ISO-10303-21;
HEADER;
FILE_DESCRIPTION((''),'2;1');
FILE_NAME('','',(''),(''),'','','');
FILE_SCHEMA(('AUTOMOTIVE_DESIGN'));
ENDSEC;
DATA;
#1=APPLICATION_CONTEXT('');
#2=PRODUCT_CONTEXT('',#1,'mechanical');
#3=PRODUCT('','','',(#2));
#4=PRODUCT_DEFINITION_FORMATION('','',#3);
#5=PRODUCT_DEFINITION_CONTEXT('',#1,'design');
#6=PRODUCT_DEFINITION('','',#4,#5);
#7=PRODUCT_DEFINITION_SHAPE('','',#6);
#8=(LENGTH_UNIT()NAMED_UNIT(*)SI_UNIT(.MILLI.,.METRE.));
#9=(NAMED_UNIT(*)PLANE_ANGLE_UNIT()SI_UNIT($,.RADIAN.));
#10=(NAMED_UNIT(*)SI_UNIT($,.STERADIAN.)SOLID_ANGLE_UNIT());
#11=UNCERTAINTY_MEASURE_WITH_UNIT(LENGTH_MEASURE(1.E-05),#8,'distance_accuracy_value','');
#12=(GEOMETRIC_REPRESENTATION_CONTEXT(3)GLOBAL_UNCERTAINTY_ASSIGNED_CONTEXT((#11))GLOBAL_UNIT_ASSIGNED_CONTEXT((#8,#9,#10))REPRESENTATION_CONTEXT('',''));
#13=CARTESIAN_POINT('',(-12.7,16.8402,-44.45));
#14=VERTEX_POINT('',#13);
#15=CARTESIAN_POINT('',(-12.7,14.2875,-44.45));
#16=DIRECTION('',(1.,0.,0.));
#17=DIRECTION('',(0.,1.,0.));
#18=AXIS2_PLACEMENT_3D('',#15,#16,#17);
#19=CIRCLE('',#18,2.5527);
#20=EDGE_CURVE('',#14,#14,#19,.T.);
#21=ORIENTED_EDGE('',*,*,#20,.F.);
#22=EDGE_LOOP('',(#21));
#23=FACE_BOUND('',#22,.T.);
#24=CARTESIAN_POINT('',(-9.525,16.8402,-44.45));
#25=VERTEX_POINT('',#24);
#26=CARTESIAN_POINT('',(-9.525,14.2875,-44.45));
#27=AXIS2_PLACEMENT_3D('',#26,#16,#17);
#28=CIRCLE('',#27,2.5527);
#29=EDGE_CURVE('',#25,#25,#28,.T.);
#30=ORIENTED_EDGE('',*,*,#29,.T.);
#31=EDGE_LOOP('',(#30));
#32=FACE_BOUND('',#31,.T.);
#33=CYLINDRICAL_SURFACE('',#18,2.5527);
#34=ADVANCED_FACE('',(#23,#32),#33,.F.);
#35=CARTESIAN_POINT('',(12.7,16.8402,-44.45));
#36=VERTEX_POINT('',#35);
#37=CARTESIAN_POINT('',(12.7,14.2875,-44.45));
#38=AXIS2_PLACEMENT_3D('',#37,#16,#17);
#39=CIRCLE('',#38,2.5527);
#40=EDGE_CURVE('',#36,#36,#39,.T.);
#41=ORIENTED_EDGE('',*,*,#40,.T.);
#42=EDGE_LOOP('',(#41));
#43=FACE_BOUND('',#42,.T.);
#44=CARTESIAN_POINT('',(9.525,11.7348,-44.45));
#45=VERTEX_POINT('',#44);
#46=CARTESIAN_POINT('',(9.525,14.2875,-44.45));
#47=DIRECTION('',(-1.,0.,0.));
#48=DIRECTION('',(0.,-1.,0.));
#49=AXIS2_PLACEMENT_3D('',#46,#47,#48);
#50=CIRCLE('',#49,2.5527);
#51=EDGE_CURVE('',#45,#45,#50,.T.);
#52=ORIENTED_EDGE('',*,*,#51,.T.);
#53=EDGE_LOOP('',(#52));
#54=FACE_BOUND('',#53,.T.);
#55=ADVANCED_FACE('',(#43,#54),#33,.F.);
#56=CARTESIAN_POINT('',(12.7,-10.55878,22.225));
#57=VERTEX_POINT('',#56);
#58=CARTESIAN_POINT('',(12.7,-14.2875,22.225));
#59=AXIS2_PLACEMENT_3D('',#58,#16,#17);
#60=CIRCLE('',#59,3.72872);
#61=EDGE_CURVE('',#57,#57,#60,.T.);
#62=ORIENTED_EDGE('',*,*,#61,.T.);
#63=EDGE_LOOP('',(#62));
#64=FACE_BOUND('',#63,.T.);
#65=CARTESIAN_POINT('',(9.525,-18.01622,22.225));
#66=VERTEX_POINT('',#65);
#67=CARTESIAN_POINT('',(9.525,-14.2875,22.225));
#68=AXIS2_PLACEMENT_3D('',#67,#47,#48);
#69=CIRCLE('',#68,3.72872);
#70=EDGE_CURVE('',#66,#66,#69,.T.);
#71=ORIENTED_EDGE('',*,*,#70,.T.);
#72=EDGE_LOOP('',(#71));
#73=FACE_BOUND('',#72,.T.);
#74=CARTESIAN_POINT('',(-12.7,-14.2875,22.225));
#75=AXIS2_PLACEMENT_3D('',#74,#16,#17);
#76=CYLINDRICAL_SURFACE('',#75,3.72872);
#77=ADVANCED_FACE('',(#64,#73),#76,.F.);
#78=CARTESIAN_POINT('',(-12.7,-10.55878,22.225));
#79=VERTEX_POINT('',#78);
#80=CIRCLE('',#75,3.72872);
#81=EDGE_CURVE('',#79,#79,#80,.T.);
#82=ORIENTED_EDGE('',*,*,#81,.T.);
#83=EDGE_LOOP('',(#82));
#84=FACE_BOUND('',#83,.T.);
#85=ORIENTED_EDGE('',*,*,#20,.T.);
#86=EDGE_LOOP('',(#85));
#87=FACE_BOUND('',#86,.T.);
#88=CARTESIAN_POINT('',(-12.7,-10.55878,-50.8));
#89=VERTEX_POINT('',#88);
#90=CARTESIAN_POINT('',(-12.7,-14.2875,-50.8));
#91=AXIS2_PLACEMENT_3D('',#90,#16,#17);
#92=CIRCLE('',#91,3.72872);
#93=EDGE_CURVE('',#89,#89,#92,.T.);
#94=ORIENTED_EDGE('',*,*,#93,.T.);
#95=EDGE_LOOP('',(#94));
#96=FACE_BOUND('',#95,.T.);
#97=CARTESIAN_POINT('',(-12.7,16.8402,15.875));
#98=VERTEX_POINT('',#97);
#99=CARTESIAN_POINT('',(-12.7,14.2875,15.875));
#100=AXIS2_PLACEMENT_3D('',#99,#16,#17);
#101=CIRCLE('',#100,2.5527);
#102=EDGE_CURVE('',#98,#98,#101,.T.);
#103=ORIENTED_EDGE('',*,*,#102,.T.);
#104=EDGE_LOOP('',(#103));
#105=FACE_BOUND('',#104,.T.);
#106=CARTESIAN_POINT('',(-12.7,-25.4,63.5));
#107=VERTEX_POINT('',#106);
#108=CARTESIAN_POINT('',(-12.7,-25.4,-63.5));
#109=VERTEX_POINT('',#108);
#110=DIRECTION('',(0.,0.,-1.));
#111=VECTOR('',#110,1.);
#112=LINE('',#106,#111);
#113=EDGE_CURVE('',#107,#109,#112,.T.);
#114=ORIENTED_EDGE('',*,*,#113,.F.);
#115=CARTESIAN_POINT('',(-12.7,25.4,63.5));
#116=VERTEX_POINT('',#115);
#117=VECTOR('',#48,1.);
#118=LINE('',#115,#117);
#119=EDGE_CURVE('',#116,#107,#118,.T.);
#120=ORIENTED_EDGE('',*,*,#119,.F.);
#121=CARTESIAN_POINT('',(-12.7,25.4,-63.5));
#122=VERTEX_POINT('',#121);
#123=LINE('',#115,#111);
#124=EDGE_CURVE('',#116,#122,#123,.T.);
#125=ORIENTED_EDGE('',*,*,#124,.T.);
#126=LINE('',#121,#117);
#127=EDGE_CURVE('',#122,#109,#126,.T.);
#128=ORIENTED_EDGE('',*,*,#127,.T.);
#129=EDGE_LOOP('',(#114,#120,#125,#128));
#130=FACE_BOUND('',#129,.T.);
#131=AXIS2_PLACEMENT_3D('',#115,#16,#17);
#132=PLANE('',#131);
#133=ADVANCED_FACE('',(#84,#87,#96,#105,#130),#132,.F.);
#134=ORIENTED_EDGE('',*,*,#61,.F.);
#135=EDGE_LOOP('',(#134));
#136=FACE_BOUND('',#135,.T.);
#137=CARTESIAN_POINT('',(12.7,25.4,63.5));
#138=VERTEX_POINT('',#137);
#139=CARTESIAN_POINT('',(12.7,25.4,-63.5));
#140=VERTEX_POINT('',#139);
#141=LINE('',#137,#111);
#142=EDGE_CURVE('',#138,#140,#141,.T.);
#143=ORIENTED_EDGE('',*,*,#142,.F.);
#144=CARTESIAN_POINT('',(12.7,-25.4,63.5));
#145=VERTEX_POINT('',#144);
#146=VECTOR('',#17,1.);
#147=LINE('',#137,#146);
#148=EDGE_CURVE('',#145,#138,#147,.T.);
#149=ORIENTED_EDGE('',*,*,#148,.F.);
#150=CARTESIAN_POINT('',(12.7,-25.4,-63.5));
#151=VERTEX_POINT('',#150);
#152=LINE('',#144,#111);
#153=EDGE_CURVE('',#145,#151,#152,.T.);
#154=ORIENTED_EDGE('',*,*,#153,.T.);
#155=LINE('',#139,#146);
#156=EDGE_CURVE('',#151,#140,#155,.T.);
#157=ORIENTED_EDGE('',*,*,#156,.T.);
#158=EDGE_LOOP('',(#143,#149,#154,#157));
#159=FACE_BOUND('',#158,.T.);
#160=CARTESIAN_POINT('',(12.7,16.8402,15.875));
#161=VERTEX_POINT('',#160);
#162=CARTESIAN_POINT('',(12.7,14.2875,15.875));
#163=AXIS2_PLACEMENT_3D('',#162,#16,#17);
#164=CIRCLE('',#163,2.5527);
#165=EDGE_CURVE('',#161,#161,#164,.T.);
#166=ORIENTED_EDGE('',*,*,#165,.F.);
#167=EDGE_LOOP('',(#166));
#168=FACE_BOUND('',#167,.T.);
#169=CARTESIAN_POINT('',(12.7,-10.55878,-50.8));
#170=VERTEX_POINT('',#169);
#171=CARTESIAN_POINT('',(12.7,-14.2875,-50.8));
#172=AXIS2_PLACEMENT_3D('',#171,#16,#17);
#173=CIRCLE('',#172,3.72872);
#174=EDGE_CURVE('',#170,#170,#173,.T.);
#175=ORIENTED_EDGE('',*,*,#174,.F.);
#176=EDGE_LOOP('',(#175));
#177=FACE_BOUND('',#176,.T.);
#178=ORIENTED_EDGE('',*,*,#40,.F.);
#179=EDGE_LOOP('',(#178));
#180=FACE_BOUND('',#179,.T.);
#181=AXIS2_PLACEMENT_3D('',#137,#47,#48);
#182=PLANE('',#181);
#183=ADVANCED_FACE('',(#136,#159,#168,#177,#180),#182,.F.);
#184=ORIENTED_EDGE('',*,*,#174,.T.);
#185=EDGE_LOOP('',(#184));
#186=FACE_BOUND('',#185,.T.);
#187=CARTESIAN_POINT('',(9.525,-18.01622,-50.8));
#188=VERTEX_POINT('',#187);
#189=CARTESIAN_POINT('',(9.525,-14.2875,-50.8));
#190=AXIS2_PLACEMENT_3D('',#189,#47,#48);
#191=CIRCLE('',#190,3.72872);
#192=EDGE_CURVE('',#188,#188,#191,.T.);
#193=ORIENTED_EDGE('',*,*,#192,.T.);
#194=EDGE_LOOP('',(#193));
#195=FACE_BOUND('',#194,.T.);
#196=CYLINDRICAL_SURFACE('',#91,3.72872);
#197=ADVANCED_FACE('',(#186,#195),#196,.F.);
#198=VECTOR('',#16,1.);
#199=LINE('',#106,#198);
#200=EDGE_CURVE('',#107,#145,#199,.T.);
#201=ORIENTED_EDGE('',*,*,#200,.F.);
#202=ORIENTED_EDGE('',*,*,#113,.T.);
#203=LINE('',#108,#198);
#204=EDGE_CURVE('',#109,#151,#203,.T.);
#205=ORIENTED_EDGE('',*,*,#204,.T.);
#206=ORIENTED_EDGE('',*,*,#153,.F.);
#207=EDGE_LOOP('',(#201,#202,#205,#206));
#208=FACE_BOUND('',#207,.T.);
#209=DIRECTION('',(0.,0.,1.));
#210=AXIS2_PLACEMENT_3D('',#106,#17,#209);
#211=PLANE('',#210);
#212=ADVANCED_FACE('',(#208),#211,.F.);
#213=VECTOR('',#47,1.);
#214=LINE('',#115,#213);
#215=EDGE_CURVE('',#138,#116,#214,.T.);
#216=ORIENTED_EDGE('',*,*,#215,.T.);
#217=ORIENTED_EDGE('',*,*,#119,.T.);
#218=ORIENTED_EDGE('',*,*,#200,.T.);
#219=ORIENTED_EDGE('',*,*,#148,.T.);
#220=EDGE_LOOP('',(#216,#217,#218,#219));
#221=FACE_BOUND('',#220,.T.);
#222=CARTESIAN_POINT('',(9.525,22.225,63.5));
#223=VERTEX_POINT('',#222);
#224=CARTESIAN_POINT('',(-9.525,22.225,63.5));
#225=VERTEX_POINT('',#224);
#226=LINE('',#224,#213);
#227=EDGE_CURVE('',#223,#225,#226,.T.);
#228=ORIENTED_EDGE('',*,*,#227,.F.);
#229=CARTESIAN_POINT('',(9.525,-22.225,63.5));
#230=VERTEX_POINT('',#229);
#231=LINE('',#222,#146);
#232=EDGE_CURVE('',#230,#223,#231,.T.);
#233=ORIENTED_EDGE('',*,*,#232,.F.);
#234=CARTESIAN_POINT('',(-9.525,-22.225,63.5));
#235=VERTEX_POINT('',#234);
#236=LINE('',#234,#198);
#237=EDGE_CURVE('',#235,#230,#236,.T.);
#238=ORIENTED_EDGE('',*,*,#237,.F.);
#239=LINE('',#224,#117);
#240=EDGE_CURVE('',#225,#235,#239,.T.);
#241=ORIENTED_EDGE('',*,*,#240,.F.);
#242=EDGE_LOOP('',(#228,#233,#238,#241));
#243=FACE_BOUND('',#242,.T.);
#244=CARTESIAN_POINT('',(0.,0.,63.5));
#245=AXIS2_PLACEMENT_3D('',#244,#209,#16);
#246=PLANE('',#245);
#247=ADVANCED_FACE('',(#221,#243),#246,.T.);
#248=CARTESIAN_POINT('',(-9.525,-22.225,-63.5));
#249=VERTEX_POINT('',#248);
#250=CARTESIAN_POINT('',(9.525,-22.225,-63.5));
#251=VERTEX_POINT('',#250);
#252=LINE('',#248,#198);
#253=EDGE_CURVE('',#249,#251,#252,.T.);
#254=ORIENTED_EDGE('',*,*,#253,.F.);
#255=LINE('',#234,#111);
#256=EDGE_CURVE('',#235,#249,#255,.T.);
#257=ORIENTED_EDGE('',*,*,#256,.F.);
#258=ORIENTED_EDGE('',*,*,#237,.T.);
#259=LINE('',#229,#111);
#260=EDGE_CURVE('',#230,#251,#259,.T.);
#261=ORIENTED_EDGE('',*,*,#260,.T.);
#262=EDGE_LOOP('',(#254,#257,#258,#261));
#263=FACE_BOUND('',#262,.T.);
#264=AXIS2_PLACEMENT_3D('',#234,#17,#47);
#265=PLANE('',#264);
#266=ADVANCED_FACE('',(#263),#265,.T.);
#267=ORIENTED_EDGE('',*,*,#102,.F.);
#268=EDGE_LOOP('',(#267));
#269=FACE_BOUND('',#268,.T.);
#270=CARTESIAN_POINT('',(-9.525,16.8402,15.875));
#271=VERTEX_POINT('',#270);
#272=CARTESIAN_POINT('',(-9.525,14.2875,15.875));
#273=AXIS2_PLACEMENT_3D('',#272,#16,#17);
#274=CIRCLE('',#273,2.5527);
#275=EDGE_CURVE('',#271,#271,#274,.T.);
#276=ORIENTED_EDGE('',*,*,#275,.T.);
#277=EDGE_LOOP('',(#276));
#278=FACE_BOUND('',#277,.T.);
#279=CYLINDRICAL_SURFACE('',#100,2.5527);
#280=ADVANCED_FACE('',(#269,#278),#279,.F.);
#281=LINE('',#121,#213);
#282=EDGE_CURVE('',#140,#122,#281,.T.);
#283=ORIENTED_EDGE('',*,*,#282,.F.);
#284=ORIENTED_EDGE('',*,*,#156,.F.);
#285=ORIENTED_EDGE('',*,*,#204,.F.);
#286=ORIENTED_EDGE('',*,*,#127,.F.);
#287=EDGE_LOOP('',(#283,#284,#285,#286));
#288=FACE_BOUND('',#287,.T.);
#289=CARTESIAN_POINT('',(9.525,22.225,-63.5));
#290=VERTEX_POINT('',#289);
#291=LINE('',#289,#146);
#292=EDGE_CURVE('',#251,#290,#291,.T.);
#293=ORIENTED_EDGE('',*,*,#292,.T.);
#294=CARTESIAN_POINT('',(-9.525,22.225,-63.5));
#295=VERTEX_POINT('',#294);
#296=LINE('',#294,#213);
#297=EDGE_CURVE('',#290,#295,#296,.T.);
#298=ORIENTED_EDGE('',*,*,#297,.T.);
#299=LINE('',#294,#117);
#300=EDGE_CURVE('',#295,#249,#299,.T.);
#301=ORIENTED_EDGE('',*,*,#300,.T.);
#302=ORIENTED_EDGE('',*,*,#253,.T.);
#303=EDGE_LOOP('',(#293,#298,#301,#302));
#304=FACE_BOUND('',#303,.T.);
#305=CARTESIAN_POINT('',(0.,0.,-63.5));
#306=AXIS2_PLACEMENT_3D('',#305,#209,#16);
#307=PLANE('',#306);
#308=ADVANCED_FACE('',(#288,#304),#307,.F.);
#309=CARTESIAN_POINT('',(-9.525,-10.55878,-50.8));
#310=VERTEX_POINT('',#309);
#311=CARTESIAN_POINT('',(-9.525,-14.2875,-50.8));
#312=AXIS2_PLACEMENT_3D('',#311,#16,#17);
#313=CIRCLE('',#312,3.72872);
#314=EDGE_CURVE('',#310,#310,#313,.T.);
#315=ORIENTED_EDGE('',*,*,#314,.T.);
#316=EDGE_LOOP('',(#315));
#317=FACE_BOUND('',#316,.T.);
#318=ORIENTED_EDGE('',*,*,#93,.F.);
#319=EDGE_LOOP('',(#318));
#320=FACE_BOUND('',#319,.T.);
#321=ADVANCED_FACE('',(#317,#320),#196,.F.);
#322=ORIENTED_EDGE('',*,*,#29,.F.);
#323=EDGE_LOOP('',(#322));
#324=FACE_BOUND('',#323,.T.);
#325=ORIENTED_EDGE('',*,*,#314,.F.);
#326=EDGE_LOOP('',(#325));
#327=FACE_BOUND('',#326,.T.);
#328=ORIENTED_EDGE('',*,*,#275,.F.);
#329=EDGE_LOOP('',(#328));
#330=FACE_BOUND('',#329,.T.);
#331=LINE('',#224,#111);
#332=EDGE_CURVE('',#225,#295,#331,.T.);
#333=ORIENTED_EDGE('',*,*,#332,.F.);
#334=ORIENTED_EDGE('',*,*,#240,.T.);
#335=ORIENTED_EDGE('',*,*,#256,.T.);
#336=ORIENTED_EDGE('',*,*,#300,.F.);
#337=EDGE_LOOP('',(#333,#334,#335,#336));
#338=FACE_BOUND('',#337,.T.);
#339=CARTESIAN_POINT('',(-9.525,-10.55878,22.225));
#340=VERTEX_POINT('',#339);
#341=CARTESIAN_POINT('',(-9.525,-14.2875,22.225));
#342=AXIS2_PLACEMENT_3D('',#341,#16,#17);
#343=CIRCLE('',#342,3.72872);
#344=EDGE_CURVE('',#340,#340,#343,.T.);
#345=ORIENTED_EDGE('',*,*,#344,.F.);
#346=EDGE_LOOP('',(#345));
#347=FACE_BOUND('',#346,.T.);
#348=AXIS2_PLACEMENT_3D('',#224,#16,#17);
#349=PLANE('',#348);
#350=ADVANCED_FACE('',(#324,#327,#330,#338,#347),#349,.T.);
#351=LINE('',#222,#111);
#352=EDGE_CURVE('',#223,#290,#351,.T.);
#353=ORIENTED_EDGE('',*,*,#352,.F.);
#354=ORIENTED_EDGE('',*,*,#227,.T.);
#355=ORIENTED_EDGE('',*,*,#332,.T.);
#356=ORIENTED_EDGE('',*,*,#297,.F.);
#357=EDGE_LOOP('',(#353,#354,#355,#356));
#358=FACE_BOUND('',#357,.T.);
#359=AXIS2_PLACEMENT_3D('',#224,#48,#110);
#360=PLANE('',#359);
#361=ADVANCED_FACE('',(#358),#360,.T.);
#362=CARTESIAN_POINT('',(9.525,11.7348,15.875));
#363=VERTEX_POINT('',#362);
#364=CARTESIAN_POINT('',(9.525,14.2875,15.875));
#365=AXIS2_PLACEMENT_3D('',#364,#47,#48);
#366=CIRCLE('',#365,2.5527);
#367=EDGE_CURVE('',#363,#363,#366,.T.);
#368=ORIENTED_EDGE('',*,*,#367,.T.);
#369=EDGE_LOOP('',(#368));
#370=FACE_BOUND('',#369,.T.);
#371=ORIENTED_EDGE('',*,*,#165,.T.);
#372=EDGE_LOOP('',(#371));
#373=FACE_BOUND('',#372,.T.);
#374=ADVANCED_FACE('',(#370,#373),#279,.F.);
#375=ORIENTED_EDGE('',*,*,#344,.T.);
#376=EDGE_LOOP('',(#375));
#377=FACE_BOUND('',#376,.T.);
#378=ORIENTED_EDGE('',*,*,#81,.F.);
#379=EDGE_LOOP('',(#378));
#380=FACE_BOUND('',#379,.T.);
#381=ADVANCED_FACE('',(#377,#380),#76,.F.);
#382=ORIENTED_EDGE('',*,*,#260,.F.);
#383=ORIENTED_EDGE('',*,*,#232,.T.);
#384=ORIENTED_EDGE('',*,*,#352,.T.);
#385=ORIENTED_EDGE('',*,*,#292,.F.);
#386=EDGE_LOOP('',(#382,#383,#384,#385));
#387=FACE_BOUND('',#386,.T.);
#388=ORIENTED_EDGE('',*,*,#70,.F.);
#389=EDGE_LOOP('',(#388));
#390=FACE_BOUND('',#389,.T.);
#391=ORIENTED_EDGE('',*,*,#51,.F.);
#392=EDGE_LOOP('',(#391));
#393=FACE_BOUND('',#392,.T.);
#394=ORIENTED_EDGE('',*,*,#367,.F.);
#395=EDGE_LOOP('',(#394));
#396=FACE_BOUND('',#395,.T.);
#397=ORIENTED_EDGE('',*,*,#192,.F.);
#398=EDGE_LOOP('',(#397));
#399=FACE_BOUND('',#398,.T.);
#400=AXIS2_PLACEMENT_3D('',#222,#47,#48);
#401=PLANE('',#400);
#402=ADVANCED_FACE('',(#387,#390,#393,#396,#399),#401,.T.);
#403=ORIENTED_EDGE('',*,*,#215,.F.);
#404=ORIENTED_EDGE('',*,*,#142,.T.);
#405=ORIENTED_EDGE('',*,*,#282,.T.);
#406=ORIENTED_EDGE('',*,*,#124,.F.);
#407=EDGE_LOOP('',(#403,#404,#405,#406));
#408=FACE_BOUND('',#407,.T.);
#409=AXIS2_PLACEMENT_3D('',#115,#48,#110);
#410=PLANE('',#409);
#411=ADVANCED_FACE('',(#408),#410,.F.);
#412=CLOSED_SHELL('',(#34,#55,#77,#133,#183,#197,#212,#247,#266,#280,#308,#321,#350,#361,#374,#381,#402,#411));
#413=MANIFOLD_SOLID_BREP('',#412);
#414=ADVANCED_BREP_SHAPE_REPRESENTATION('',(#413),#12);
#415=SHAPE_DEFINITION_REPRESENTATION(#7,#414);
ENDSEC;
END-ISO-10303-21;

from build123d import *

# Parameters (mm, degrees)
SKETCH1_W           = 25.4
SKETCH1_H           = 50.8
SKETCH1_W_2         = 19.05
SKETCH1_H_2         = 44.45
BOSS_EXTRUDE1_DEPTH = 63.5
SKETCH3_R           = 3.72872
SKETCH3_R_2         = 2.5527
CUT_EXTRUDE1_DEPTH  = 73.955945611


with BuildPart() as part:
    # Sketch1 → Boss-Extrude1 (new, symmetric)
    with BuildSketch(Plane.XY):
        Rectangle(SKETCH1_W, SKETCH1_H)
        Rectangle(SKETCH1_W_2, SKETCH1_H_2, mode=Mode.SUBTRACT)
    extrude(amount=BOSS_EXTRUDE1_DEPTH, both=True)

    # Sketch3 → Cut-Extrude1 (cut, through all)
    with BuildSketch(Plane(origin=(12.7, 0, 0), x_dir=(0, 0, -1), z_dir=(1, 0, 0))):
        with Locations(Location((50.8, -14.2875, 0), (0, 0, 90))):
            Circle(SKETCH3_R)
        with Locations(Location((-22.225, -14.2875, 0), (0, 0, 90))):
            Circle(SKETCH3_R)
        with Locations(Location((44.45, 14.2875, 0), (0, 0, 90))):
            Circle(SKETCH3_R_2)
        with Locations(Location((-15.875, 14.2875, 0), (0, 0, 90))):
            Circle(SKETCH3_R_2)
    extrude(amount=-CUT_EXTRUDE1_DEPTH, mode=Mode.SUBTRACT)


solid = part.part
